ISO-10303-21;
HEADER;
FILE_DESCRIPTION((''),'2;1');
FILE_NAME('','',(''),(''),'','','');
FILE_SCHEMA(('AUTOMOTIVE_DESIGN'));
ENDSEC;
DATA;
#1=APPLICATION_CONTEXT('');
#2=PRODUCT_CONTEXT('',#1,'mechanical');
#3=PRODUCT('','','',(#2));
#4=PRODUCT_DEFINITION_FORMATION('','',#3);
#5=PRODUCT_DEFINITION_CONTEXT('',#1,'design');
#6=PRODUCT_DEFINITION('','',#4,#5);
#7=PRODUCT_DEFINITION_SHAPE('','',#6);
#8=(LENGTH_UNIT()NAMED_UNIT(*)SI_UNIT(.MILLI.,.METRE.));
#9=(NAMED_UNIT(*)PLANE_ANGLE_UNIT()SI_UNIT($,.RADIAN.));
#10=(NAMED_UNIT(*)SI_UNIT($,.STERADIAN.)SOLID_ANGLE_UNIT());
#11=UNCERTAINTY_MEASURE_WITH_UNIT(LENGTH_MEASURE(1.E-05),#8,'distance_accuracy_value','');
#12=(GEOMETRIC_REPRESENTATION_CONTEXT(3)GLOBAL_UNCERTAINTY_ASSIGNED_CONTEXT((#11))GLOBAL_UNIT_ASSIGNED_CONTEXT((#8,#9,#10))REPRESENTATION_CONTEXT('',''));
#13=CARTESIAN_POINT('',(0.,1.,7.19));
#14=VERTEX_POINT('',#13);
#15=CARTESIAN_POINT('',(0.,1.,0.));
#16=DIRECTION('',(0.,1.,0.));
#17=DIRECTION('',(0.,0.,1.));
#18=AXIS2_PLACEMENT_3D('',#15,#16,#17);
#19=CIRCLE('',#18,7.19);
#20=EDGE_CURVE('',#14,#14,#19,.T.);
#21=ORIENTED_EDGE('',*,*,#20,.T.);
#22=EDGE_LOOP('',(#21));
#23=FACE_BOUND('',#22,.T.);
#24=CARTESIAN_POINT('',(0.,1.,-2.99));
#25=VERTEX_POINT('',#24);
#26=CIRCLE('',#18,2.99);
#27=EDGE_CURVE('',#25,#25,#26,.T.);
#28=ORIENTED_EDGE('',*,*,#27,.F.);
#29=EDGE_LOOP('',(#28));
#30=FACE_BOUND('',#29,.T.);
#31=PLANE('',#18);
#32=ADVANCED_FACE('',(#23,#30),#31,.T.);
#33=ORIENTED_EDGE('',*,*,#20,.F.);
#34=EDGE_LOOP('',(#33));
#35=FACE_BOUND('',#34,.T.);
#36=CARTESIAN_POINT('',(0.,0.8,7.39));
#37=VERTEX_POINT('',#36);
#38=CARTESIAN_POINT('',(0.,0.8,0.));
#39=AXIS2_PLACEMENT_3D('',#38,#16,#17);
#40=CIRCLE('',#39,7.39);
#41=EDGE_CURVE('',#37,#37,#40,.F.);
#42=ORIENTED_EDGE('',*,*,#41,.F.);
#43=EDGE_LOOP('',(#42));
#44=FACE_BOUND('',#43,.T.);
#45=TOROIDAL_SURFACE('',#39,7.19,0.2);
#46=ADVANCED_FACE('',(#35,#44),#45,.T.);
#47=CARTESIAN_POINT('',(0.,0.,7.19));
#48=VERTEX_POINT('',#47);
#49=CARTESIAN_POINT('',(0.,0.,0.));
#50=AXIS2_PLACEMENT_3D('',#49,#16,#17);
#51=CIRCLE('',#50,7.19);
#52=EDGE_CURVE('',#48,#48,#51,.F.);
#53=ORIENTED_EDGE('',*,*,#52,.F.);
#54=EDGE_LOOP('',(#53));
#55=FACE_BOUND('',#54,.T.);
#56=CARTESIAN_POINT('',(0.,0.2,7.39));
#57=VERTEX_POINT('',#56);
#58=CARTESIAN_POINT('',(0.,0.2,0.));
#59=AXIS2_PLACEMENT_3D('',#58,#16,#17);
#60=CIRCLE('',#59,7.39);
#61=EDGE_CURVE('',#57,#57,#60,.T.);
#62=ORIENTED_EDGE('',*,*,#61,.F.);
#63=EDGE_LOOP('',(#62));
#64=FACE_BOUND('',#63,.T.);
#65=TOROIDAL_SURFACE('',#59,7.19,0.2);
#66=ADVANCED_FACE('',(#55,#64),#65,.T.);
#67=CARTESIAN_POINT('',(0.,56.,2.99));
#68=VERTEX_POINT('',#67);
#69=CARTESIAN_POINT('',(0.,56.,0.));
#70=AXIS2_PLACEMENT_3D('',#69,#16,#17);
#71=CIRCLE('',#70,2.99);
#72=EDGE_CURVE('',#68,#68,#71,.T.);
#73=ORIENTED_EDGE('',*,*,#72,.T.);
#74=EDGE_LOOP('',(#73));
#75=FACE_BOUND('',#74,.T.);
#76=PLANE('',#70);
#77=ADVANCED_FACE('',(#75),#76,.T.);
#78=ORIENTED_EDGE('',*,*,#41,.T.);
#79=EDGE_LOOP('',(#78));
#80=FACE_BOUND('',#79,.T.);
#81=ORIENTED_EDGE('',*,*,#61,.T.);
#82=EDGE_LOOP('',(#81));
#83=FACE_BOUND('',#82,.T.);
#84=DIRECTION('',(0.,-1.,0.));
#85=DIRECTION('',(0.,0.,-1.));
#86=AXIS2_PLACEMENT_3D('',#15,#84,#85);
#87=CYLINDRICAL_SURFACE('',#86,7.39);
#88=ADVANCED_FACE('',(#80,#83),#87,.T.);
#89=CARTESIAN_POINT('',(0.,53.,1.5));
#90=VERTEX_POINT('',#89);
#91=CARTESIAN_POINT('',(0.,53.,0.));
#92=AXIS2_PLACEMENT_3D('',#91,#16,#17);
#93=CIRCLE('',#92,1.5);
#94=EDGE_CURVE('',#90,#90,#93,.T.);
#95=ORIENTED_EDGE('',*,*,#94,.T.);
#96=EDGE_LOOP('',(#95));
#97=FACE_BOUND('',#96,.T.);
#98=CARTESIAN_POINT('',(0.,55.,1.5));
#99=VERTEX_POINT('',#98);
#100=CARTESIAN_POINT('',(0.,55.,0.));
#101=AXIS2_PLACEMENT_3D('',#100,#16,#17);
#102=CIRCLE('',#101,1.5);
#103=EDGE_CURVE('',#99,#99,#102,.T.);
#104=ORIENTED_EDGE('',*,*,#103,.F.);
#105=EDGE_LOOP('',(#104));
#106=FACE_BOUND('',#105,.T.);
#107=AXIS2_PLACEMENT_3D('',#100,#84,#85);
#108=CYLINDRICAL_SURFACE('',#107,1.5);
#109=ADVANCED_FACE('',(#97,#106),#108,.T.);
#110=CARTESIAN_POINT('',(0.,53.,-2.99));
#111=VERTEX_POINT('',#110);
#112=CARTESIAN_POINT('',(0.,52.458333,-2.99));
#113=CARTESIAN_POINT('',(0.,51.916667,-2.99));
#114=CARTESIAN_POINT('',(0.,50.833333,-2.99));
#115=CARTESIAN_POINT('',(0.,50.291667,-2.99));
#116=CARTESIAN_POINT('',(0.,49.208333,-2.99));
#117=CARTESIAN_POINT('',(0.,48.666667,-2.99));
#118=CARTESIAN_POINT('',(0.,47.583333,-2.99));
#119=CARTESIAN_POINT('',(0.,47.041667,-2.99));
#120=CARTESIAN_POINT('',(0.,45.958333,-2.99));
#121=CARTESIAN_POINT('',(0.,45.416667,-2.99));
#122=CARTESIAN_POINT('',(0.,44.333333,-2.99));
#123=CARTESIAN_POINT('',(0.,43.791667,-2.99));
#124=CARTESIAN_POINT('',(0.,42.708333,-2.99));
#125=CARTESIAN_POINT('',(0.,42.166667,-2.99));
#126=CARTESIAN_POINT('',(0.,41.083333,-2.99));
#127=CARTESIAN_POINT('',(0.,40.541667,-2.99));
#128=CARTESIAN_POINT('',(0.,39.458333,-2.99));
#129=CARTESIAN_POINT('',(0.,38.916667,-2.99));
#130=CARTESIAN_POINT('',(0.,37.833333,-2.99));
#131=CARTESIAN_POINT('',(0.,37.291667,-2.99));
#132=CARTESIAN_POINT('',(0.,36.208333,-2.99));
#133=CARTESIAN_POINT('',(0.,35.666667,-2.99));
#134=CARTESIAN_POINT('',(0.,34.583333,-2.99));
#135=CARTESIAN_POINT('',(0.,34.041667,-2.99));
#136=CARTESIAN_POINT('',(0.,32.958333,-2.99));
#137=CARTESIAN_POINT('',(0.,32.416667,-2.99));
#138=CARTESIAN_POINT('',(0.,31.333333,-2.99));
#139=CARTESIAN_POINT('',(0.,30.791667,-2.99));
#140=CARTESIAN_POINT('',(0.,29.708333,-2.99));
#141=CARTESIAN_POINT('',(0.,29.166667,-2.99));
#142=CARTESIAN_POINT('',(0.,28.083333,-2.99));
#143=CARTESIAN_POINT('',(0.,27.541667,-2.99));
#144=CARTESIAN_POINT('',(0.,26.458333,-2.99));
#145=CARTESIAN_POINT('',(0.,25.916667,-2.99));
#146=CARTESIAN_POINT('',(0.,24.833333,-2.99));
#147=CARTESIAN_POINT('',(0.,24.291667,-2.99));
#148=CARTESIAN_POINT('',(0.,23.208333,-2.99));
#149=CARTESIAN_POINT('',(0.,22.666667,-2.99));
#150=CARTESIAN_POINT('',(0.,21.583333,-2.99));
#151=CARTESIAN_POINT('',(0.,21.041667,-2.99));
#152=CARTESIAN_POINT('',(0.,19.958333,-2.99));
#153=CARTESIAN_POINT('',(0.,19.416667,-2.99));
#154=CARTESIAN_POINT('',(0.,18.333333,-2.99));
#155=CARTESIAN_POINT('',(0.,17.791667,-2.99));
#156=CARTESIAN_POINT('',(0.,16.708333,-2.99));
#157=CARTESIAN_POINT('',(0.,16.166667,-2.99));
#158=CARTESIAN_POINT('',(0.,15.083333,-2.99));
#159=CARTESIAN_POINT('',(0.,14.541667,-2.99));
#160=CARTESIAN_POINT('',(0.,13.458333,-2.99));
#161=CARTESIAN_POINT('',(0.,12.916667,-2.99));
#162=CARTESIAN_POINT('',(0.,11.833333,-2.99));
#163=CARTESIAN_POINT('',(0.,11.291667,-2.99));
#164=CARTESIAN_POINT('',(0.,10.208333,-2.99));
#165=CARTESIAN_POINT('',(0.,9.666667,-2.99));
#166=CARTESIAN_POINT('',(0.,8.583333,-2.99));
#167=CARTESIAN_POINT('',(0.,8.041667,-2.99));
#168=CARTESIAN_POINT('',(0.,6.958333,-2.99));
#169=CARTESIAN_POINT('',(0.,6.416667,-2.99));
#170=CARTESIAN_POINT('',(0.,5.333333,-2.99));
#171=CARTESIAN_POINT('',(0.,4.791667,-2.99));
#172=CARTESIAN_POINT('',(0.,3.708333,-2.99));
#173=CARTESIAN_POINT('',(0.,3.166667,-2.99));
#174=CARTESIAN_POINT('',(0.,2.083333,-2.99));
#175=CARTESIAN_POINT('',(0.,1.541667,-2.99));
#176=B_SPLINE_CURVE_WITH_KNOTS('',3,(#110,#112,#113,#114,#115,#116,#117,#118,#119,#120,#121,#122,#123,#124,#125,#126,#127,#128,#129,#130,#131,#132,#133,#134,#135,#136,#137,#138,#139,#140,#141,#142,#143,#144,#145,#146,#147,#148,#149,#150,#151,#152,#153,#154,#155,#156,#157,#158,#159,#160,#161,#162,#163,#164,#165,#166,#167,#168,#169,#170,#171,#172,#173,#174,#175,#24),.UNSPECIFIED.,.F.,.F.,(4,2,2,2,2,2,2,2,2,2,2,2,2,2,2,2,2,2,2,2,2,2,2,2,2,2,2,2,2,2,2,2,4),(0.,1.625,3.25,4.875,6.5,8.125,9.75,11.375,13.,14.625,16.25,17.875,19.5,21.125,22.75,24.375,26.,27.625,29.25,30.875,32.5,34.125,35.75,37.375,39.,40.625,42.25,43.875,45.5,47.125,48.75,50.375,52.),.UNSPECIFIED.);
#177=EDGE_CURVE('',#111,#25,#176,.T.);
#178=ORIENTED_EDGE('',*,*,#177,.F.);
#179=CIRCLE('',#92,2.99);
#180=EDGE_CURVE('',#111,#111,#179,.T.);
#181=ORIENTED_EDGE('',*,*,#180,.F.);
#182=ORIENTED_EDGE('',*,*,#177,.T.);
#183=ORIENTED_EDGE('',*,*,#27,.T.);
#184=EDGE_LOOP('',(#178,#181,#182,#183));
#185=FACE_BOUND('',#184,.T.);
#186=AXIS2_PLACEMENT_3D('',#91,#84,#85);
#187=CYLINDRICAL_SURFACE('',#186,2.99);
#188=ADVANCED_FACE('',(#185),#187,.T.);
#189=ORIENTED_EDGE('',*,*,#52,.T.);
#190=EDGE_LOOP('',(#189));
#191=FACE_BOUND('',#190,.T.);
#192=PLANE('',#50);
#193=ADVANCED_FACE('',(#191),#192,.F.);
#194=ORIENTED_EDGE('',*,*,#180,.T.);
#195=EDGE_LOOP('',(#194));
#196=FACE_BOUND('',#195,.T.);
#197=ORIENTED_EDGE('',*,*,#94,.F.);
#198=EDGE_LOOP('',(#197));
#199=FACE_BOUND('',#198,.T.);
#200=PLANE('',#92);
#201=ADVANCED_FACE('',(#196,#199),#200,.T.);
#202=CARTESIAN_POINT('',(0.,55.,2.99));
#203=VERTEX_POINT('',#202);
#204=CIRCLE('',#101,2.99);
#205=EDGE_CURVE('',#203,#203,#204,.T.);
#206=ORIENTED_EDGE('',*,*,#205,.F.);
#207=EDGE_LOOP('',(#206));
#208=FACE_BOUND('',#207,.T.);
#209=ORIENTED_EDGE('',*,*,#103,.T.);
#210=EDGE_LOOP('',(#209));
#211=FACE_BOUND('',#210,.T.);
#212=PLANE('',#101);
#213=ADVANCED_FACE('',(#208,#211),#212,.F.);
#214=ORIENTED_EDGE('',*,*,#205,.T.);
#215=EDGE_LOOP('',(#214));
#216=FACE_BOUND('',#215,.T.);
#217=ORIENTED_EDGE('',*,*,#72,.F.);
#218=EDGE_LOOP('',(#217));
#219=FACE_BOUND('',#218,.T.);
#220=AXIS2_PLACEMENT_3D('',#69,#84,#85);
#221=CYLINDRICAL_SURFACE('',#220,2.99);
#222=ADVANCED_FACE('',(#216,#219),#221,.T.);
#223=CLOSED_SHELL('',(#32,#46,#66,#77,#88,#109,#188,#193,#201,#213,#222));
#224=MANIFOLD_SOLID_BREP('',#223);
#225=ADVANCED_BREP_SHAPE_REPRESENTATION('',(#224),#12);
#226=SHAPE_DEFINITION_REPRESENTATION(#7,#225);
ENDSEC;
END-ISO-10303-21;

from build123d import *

# Parameters (mm, degrees)
SKETCH1_R           = 7.39
BOSS_EXTRUDE1_DEPTH = 1
FILLET1_R           = 0.2
SKETCH2_R           = 2.99
BOSS_EXTRUDE3_DEPTH = 52
SKETCH3_R           = 1.5
BOSS_EXTRUDE4_DEPTH = 2
SKETCH4_R           = 2.99
BOSS_EXTRUDE5_DEPTH = 1


with BuildPart() as part:
    # Sketch1 → Boss-Extrude1 (new body)
    with BuildSketch(Plane(origin=(0, 0, 0), x_dir=(1, 0, 0), z_dir=(0, 1, 0))):
        Circle(SKETCH1_R)
    extrude(amount=BOSS_EXTRUDE1_DEPTH)

    # Fillet1
    fillet1_edges = [part.edges().sort_by_distance(p)[0] for p in [
        (-7.39, 0, 0),
        (-7.39, 1, 0),
    ]]
    fillet(fillet1_edges, radius=FILLET1_R)

    # Sketch2 → Boss-Extrude3 (add)
    with BuildSketch(Plane(origin=(0, 1, 0), x_dir=(1, 0, 0), z_dir=(0, 1, 0))):
        Circle(SKETCH2_R)
    extrude(amount=BOSS_EXTRUDE3_DEPTH)

    # Sketch3 → Boss-Extrude4 (add)
    with BuildSketch(Plane(origin=(0, 53, 0), x_dir=(1, 0, 0), z_dir=(0, 1, 0))):
        Circle(SKETCH3_R)
    extrude(amount=BOSS_EXTRUDE4_DEPTH)

    # Sketch4 → Boss-Extrude5 (add)
    with BuildSketch(Plane(origin=(0, 55, 0), x_dir=(1, 0, 0), z_dir=(0, 1, 0))):
        Circle(SKETCH4_R)
    extrude(amount=BOSS_EXTRUDE5_DEPTH)


solid = part.part
